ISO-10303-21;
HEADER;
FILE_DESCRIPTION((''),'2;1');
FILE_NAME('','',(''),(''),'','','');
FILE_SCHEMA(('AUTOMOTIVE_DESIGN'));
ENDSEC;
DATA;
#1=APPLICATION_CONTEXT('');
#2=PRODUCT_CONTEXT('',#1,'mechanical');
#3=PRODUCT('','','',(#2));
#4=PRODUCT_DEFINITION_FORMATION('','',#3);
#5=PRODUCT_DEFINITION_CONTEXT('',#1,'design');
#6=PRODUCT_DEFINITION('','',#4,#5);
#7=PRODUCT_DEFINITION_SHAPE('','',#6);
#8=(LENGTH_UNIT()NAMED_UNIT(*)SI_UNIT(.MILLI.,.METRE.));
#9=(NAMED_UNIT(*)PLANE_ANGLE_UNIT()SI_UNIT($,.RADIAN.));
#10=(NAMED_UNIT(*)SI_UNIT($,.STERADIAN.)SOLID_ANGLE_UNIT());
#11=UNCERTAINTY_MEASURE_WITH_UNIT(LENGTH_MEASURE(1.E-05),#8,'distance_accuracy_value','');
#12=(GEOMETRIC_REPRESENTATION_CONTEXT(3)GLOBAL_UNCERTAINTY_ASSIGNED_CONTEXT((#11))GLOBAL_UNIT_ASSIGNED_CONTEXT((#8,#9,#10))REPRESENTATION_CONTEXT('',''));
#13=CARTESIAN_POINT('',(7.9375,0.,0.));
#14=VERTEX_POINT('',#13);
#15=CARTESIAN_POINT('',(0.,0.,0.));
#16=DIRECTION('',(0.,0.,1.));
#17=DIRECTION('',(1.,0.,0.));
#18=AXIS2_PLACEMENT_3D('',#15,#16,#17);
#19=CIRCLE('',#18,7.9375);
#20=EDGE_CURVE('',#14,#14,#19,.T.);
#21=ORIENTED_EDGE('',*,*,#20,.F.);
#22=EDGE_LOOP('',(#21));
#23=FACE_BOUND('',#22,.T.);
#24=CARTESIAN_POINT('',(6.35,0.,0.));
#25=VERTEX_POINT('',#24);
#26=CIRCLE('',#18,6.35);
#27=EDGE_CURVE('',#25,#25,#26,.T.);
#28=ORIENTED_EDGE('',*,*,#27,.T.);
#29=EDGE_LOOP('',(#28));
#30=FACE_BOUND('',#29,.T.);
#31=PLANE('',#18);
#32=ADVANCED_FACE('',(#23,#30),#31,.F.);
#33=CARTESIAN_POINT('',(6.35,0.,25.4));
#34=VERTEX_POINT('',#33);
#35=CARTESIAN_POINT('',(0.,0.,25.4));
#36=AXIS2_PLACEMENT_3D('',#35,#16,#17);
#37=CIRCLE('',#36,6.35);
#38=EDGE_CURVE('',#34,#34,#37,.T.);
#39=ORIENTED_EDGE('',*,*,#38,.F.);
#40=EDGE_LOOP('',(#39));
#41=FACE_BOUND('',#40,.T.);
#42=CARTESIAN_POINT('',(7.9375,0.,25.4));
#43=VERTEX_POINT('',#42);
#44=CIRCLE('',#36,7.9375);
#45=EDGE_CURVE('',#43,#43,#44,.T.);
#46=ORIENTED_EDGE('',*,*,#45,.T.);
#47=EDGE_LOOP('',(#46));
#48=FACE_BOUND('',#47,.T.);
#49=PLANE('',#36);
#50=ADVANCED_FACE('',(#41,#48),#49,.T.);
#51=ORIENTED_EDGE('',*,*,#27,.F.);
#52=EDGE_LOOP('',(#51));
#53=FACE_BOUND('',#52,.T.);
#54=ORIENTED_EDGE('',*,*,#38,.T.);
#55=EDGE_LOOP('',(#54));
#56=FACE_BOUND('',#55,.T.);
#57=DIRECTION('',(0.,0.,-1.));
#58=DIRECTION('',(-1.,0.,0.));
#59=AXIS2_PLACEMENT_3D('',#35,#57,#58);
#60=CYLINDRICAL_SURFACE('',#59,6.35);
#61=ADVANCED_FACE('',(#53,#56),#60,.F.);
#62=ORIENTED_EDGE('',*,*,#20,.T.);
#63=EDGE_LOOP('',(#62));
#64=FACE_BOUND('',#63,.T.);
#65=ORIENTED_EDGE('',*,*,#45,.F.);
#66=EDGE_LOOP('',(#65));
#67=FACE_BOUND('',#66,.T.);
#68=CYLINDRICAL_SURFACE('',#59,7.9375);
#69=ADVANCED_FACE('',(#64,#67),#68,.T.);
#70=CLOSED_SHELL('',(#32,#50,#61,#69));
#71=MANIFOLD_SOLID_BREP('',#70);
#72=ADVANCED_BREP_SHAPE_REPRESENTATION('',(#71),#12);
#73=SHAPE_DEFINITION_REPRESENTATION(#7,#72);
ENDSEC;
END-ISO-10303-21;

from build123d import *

# Parameters (mm, degrees)
SKETCH1_R      = 7.9375
SKETCH1_R_2    = 6.35
EXTRUDE1_DEPTH = 25.4


with BuildPart() as part:
    # Sketch1 → Extrude1 (new body)
    with BuildSketch(Plane.XY):
        Circle(SKETCH1_R)
        Circle(SKETCH1_R_2, mode=Mode.SUBTRACT)
    extrude(amount=EXTRUDE1_DEPTH)


solid = part.part
